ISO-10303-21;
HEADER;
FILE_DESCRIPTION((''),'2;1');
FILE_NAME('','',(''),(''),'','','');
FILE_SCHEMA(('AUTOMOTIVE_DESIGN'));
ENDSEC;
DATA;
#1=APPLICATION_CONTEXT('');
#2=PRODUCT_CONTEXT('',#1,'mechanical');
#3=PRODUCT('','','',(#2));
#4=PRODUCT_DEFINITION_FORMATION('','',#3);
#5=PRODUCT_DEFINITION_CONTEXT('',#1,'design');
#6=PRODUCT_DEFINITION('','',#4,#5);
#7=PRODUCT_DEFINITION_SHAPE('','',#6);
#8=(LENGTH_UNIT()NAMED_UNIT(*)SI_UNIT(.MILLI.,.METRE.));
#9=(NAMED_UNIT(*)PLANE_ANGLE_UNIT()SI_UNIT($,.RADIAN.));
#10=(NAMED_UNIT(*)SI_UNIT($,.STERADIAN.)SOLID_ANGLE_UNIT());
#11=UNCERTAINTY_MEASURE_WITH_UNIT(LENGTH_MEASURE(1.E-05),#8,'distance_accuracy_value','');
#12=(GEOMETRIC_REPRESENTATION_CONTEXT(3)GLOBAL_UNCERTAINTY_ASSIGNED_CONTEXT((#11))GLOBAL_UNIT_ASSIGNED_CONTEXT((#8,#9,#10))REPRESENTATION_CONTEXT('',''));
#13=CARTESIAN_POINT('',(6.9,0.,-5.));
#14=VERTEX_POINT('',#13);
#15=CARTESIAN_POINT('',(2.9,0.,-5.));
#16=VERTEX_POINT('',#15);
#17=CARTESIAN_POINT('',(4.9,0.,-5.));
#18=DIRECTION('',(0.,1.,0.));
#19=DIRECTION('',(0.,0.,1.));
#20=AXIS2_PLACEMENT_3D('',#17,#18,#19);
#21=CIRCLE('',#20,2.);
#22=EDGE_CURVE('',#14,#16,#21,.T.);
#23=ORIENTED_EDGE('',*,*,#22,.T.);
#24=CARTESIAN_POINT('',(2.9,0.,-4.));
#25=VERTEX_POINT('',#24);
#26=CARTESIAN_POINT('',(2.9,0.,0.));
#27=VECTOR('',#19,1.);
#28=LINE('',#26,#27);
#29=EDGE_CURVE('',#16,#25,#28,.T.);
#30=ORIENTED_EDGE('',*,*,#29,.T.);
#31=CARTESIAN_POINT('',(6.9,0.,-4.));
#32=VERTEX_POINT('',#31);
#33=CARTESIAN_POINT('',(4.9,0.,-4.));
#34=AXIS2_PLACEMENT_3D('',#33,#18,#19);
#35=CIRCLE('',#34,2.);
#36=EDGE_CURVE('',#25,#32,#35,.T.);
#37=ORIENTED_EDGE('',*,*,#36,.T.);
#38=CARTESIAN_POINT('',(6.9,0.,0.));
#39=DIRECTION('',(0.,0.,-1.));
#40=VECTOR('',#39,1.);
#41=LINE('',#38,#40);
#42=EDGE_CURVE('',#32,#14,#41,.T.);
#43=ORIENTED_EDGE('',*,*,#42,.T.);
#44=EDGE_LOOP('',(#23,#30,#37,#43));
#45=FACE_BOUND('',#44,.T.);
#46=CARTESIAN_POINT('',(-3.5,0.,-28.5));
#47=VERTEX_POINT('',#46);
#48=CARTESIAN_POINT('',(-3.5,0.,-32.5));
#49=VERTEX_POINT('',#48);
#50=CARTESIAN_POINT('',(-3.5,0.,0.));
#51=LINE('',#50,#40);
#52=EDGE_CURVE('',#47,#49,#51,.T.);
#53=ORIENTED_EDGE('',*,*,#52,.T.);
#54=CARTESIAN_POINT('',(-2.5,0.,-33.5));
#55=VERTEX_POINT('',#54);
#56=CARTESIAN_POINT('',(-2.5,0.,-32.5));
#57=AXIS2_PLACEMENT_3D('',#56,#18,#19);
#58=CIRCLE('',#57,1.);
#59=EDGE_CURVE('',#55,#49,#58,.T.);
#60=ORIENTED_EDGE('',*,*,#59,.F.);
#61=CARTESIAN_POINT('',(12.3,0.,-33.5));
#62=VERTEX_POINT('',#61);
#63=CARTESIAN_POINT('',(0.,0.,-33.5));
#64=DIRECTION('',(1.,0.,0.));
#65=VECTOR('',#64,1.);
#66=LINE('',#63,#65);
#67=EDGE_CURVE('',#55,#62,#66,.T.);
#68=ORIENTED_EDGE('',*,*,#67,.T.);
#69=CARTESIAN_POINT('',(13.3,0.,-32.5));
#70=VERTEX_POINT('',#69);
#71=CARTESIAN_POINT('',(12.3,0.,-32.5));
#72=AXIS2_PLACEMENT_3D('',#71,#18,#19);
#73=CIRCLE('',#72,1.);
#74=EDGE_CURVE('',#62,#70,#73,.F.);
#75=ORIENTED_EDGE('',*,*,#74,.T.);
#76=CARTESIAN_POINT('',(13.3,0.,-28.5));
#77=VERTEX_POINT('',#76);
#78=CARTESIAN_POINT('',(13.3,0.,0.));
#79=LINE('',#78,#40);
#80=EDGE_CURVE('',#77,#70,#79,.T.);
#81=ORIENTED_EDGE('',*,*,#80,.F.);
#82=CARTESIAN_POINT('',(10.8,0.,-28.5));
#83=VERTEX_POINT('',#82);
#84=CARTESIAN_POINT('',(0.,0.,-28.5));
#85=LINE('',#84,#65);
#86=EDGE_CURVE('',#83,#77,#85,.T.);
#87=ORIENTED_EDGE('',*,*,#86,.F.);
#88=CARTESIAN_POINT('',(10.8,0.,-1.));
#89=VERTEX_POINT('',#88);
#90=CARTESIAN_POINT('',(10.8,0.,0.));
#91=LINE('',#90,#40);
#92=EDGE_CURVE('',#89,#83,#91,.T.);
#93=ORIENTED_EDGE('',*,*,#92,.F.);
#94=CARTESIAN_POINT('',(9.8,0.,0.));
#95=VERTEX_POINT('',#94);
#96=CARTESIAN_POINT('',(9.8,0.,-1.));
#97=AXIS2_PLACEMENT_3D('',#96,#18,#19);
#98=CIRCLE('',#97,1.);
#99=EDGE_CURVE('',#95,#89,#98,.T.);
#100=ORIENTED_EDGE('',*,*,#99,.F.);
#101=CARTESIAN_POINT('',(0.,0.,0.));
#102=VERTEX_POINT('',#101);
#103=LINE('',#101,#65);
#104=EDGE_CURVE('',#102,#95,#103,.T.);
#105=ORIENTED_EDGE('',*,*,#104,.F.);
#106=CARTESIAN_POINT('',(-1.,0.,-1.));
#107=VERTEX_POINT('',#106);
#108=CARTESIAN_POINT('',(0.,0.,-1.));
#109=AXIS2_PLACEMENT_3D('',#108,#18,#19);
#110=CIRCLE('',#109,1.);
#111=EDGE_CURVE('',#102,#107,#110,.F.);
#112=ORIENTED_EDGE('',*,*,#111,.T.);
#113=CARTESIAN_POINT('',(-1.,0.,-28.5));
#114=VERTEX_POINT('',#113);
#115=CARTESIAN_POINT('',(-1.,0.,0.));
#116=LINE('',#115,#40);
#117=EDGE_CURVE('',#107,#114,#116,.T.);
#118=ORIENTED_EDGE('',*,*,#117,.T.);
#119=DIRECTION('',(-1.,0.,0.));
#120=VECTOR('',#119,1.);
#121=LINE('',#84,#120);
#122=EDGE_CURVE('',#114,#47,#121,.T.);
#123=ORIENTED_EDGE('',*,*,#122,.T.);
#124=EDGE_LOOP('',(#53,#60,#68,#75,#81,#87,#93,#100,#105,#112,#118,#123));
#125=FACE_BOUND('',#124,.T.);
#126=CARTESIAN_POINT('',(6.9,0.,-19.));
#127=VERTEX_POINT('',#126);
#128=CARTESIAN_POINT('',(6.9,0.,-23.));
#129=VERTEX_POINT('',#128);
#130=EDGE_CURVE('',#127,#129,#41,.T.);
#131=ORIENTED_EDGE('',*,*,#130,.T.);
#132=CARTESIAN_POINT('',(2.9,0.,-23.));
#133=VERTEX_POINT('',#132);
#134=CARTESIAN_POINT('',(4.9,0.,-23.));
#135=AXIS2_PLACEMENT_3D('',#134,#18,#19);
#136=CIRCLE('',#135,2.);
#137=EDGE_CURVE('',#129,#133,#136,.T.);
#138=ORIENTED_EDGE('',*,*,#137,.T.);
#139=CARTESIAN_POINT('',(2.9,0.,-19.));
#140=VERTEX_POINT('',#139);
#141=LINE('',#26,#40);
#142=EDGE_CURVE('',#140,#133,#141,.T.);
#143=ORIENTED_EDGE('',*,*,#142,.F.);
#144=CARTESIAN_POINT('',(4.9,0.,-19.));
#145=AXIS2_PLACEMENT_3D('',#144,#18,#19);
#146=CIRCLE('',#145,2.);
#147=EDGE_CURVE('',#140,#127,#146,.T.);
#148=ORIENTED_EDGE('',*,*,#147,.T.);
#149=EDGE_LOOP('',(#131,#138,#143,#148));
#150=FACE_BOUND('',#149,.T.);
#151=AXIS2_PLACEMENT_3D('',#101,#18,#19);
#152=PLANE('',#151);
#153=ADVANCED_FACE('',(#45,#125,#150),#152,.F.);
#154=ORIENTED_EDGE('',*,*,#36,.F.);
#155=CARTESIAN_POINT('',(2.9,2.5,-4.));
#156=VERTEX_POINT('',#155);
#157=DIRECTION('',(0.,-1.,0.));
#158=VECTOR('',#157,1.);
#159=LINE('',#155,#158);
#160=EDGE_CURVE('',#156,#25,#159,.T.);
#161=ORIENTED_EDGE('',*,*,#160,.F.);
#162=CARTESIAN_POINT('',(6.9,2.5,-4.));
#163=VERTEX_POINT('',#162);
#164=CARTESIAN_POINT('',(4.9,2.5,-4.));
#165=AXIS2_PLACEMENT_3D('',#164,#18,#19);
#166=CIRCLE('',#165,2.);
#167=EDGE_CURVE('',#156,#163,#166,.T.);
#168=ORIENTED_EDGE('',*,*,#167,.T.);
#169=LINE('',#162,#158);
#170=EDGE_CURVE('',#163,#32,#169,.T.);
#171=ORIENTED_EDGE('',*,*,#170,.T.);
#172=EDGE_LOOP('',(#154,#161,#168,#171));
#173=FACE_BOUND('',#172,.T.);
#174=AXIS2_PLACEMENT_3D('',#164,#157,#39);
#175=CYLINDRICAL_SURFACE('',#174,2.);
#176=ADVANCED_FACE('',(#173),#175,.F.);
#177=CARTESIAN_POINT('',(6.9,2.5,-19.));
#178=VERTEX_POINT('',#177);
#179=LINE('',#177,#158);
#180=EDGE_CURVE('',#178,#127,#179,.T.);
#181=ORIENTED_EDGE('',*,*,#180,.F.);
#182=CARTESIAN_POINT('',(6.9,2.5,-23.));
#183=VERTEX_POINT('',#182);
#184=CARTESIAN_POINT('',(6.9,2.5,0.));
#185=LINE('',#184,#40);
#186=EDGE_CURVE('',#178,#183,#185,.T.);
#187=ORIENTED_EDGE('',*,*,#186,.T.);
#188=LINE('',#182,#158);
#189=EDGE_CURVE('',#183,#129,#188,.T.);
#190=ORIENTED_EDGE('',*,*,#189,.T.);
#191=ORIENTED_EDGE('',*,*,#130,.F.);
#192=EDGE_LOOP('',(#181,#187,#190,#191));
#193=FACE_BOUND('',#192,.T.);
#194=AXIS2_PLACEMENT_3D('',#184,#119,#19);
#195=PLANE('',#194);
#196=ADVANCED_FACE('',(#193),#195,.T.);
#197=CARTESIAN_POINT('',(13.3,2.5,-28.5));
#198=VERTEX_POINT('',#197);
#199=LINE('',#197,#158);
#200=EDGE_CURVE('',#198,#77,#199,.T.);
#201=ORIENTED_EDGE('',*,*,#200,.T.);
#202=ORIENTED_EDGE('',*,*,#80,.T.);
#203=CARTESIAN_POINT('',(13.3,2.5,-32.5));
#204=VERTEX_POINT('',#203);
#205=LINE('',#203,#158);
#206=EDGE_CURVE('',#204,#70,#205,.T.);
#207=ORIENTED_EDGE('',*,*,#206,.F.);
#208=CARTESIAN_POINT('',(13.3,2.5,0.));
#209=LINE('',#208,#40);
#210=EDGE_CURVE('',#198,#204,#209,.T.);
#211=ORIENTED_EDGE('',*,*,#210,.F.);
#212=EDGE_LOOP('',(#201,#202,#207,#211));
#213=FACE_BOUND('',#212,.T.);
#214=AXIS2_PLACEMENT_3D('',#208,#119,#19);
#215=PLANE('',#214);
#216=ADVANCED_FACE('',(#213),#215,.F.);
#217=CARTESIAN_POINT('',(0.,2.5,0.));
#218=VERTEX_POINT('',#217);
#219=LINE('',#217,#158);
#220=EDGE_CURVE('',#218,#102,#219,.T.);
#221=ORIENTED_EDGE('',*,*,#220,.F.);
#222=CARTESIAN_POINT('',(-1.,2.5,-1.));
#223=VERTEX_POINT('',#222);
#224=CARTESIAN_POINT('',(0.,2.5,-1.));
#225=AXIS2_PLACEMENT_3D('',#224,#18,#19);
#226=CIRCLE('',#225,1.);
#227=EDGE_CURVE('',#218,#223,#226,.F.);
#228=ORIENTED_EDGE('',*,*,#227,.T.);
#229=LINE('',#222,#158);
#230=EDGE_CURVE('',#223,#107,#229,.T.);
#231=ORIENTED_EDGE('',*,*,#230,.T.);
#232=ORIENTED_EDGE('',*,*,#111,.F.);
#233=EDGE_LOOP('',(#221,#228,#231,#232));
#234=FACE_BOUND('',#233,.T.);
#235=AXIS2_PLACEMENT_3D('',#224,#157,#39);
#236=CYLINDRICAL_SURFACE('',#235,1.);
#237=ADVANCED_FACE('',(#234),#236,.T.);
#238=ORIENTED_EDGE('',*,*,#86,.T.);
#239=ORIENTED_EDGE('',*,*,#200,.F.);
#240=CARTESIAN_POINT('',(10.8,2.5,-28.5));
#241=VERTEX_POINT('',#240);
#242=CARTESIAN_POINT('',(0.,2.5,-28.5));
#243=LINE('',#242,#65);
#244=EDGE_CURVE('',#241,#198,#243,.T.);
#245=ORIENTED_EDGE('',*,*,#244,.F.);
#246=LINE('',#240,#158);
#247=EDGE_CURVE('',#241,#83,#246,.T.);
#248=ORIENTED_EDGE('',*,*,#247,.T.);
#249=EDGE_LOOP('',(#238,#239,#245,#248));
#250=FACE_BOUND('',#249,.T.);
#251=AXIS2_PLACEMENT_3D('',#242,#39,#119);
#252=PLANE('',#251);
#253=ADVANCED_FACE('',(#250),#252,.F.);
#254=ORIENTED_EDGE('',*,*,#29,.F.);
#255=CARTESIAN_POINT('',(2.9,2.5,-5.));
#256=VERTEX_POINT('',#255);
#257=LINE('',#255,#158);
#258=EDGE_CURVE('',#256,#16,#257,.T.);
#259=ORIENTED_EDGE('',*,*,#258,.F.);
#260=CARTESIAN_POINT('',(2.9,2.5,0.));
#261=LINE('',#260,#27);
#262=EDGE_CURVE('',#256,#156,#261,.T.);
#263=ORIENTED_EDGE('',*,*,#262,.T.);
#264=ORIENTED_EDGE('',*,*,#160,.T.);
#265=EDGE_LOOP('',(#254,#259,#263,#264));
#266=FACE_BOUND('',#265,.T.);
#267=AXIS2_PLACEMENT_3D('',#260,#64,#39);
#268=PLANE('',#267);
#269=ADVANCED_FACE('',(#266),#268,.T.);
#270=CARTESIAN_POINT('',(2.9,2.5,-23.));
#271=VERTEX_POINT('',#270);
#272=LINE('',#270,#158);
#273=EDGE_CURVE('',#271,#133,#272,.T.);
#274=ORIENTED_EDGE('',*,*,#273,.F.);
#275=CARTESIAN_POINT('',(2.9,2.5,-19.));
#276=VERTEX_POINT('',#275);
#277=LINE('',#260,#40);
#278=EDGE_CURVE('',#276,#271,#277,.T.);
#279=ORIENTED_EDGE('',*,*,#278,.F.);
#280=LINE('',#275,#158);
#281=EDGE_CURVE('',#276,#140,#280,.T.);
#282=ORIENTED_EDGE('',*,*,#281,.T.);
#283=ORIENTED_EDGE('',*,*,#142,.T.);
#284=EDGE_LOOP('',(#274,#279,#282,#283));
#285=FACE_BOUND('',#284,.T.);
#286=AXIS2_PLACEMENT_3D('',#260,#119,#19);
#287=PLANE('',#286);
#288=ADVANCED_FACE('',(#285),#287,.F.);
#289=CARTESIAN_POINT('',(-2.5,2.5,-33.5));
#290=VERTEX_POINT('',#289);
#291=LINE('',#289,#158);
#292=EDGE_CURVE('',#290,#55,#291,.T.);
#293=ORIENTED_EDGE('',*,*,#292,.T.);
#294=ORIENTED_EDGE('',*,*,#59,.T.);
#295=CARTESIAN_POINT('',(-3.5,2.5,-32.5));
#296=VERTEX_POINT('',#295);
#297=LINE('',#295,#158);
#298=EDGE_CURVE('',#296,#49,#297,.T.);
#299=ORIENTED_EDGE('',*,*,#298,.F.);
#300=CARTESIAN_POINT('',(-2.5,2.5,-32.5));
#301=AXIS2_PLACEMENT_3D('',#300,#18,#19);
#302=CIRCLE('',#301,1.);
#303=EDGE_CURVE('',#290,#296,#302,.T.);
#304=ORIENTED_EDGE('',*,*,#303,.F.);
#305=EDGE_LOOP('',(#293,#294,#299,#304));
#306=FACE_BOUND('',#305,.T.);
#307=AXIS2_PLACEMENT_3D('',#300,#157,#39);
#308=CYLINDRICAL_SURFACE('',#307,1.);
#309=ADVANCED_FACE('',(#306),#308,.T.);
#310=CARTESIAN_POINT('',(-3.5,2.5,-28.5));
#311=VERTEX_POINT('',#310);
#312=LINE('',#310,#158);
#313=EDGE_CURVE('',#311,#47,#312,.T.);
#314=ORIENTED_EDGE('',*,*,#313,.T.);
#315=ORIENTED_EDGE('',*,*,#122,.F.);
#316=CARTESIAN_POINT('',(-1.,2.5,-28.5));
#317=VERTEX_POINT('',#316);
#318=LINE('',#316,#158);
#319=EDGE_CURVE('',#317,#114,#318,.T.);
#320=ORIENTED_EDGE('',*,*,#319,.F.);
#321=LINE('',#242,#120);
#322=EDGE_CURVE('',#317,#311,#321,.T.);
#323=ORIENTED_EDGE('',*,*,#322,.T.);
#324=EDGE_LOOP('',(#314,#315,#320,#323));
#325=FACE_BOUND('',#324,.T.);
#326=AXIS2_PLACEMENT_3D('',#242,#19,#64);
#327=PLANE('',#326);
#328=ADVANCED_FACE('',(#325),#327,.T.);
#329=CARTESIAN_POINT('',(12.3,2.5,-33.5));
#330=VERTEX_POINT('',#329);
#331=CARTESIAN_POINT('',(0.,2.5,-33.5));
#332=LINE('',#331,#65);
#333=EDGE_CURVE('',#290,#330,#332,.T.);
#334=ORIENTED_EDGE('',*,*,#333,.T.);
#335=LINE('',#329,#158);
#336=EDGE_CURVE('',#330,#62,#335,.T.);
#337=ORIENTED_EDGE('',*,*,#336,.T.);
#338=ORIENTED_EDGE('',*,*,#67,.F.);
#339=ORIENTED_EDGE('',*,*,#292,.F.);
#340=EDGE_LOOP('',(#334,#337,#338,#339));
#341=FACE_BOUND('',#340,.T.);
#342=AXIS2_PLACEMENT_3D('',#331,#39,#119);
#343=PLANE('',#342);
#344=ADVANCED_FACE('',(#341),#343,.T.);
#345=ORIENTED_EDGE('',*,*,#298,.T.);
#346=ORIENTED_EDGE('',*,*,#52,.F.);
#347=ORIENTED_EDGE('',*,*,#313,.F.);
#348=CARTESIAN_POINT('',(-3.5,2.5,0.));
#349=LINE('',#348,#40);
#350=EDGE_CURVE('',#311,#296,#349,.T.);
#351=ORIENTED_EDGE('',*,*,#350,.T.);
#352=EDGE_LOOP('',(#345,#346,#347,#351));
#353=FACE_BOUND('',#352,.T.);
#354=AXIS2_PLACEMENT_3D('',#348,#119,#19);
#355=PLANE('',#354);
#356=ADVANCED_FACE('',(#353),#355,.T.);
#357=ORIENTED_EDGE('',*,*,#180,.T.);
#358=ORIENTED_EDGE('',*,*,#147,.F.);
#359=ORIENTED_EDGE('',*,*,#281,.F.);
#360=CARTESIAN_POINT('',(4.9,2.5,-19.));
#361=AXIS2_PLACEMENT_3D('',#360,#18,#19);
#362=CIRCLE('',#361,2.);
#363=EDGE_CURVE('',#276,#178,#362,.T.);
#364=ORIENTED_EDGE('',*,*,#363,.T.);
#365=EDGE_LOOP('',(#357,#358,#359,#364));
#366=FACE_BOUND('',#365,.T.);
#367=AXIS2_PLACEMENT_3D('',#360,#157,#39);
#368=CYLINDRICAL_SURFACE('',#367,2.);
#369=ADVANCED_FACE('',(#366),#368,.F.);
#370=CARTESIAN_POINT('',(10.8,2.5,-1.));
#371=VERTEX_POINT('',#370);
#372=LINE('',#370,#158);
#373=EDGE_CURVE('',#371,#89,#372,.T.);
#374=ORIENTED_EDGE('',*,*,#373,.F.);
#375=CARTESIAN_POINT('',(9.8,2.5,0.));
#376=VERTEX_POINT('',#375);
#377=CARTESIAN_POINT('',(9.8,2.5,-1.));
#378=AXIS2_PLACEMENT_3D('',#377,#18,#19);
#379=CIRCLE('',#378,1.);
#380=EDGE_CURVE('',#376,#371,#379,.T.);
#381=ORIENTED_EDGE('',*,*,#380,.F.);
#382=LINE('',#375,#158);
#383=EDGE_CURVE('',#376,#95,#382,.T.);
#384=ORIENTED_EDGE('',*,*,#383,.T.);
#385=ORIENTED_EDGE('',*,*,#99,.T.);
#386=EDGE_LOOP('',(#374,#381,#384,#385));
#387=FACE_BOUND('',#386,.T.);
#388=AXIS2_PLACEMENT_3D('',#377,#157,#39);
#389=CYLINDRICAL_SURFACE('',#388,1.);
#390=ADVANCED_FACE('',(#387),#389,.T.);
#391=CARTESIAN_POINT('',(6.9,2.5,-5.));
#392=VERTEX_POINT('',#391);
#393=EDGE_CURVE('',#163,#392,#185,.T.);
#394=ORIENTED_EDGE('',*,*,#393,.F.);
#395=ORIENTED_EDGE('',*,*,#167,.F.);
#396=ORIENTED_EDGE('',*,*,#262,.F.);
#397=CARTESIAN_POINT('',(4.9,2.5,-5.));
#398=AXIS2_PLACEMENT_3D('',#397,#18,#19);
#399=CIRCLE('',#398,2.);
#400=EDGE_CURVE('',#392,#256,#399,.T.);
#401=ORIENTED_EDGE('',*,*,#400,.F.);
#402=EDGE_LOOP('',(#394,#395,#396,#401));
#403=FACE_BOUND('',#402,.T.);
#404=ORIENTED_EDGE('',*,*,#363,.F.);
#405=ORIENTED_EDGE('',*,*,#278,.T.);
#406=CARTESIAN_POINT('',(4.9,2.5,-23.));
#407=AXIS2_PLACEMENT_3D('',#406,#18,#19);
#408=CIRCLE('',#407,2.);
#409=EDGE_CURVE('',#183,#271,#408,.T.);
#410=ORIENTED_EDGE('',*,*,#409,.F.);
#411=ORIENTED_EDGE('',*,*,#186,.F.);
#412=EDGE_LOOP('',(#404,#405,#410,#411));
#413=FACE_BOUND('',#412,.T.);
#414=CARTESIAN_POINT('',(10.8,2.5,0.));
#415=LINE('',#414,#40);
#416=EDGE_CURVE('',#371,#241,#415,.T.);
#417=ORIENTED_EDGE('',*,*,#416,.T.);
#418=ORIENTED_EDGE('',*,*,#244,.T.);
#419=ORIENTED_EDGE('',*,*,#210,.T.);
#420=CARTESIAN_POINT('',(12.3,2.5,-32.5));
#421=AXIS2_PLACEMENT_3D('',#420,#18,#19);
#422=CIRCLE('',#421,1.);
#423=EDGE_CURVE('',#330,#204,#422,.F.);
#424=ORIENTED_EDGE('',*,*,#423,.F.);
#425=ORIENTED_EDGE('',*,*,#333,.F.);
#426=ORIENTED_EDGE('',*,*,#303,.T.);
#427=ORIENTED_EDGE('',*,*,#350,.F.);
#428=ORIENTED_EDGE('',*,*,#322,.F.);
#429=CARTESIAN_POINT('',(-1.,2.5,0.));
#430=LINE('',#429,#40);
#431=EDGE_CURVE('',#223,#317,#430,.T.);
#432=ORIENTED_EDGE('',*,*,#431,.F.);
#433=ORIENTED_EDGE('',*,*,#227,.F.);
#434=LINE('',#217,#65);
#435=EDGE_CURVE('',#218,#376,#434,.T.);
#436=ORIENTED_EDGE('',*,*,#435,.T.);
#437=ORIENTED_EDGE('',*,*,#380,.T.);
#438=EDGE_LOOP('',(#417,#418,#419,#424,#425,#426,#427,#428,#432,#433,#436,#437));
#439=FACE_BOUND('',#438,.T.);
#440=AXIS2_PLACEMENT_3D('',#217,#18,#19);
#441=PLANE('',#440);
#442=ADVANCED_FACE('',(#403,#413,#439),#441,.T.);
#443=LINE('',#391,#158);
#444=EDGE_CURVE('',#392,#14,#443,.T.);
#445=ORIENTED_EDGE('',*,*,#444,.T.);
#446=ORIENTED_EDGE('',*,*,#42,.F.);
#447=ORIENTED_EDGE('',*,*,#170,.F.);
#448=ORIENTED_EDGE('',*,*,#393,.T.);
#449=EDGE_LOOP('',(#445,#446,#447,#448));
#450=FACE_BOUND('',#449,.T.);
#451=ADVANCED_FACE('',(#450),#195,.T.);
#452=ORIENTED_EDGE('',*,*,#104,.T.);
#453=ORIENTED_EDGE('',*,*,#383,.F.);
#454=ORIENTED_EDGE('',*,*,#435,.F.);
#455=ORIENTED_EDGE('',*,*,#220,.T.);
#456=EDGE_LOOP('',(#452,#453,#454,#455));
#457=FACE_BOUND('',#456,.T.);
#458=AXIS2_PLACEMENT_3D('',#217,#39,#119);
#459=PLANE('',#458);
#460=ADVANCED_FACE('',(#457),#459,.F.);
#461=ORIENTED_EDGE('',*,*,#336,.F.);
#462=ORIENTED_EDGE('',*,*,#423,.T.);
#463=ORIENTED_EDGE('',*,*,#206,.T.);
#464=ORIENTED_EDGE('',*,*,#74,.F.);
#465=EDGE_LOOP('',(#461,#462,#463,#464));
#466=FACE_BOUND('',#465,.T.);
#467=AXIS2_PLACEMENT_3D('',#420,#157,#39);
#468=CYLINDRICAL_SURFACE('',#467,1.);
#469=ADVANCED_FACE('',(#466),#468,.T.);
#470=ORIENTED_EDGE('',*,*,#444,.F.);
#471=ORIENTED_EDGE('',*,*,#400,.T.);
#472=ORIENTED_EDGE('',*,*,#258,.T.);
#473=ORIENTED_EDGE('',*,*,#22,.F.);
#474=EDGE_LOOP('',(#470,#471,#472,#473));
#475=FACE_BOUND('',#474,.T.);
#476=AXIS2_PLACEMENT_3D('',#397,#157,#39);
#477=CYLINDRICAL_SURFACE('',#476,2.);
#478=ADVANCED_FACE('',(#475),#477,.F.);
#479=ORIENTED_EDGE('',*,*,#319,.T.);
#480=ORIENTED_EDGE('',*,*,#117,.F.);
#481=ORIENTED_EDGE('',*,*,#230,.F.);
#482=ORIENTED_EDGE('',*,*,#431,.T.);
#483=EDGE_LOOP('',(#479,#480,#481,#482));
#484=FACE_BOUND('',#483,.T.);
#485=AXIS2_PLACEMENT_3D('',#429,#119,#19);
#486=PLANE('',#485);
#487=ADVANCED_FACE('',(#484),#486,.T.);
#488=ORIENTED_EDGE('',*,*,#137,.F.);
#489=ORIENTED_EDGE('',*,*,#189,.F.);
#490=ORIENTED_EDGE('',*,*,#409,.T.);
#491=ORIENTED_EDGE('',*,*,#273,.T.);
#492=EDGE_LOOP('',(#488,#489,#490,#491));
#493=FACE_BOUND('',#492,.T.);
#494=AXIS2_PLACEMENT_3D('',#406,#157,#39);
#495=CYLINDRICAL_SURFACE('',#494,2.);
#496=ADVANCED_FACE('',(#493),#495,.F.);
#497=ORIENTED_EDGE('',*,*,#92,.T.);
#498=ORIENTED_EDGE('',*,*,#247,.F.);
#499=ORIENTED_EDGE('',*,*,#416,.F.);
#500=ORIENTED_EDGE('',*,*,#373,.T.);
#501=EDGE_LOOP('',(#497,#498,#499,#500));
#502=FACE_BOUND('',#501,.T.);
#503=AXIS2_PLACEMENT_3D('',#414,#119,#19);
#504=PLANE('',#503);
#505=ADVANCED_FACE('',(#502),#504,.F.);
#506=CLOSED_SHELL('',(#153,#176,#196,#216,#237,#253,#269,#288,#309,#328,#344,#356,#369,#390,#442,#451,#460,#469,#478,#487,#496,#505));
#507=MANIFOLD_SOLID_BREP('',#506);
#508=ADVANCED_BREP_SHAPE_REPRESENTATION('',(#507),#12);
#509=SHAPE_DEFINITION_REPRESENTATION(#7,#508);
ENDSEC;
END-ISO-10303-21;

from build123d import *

# Parameters (mm, degrees)
SALIENTE_EXTRUIR1_DEPTH = 2.5


with BuildPart() as part:
    # Croquis1 → Saliente-Extruir1 (new body)
    with BuildSketch(Plane(origin=(0, 0, 0), x_dir=(1, 0, 0), z_dir=(0, 1, 0))):
        with BuildLine():
            Line((-2.5, 33.5), (12.3, 33.5))
            ThreePointArc((12.3, 33.5), (13.007106781, 33.207106781), (13.3, 32.5))
            Line((13.3, 32.5), (13.3, 28.5))
            Line((13.3, 28.5), (10.8, 28.5))
            Line((10.8, 28.5), (10.8, 1))
            ThreePointArc((10.8, 1), (10.507106781, 0.292893219), (9.8, 0))
            Line((9.8, 0), (0, 0))
            ThreePointArc((0, 0), (-0.707106781, 0.292893219), (-1, 1))
            Line((-1, 1), (-1, 28.5))
            Line((-1, 28.5), (-3.5, 28.5))
            Line((-3.5, 28.5), (-3.5, 32.5))
            ThreePointArc((-3.5, 32.5), (-3.207106781, 33.207106781), (-2.5, 33.5))
        make_face()
        with BuildLine():
            ThreePointArc((6.9, 23), (4.9, 25), (2.9, 23))
            Line((2.9, 23), (2.9, 19))
            ThreePointArc((2.9, 19), (4.9, 17), (6.9, 19))
            Line((6.9, 19), (6.9, 23))
        make_face(mode=Mode.SUBTRACT)
        with BuildLine():
            ThreePointArc((6.9, 5), (4.9, 7), (2.9, 5))
            Line((2.9, 5), (2.9, 4))
            ThreePointArc((2.9, 4), (4.9, 2), (6.9, 4))
            Line((6.9, 4), (6.9, 5))
        make_face(mode=Mode.SUBTRACT)
    extrude(amount=SALIENTE_EXTRUIR1_DEPTH)


solid = part.part
